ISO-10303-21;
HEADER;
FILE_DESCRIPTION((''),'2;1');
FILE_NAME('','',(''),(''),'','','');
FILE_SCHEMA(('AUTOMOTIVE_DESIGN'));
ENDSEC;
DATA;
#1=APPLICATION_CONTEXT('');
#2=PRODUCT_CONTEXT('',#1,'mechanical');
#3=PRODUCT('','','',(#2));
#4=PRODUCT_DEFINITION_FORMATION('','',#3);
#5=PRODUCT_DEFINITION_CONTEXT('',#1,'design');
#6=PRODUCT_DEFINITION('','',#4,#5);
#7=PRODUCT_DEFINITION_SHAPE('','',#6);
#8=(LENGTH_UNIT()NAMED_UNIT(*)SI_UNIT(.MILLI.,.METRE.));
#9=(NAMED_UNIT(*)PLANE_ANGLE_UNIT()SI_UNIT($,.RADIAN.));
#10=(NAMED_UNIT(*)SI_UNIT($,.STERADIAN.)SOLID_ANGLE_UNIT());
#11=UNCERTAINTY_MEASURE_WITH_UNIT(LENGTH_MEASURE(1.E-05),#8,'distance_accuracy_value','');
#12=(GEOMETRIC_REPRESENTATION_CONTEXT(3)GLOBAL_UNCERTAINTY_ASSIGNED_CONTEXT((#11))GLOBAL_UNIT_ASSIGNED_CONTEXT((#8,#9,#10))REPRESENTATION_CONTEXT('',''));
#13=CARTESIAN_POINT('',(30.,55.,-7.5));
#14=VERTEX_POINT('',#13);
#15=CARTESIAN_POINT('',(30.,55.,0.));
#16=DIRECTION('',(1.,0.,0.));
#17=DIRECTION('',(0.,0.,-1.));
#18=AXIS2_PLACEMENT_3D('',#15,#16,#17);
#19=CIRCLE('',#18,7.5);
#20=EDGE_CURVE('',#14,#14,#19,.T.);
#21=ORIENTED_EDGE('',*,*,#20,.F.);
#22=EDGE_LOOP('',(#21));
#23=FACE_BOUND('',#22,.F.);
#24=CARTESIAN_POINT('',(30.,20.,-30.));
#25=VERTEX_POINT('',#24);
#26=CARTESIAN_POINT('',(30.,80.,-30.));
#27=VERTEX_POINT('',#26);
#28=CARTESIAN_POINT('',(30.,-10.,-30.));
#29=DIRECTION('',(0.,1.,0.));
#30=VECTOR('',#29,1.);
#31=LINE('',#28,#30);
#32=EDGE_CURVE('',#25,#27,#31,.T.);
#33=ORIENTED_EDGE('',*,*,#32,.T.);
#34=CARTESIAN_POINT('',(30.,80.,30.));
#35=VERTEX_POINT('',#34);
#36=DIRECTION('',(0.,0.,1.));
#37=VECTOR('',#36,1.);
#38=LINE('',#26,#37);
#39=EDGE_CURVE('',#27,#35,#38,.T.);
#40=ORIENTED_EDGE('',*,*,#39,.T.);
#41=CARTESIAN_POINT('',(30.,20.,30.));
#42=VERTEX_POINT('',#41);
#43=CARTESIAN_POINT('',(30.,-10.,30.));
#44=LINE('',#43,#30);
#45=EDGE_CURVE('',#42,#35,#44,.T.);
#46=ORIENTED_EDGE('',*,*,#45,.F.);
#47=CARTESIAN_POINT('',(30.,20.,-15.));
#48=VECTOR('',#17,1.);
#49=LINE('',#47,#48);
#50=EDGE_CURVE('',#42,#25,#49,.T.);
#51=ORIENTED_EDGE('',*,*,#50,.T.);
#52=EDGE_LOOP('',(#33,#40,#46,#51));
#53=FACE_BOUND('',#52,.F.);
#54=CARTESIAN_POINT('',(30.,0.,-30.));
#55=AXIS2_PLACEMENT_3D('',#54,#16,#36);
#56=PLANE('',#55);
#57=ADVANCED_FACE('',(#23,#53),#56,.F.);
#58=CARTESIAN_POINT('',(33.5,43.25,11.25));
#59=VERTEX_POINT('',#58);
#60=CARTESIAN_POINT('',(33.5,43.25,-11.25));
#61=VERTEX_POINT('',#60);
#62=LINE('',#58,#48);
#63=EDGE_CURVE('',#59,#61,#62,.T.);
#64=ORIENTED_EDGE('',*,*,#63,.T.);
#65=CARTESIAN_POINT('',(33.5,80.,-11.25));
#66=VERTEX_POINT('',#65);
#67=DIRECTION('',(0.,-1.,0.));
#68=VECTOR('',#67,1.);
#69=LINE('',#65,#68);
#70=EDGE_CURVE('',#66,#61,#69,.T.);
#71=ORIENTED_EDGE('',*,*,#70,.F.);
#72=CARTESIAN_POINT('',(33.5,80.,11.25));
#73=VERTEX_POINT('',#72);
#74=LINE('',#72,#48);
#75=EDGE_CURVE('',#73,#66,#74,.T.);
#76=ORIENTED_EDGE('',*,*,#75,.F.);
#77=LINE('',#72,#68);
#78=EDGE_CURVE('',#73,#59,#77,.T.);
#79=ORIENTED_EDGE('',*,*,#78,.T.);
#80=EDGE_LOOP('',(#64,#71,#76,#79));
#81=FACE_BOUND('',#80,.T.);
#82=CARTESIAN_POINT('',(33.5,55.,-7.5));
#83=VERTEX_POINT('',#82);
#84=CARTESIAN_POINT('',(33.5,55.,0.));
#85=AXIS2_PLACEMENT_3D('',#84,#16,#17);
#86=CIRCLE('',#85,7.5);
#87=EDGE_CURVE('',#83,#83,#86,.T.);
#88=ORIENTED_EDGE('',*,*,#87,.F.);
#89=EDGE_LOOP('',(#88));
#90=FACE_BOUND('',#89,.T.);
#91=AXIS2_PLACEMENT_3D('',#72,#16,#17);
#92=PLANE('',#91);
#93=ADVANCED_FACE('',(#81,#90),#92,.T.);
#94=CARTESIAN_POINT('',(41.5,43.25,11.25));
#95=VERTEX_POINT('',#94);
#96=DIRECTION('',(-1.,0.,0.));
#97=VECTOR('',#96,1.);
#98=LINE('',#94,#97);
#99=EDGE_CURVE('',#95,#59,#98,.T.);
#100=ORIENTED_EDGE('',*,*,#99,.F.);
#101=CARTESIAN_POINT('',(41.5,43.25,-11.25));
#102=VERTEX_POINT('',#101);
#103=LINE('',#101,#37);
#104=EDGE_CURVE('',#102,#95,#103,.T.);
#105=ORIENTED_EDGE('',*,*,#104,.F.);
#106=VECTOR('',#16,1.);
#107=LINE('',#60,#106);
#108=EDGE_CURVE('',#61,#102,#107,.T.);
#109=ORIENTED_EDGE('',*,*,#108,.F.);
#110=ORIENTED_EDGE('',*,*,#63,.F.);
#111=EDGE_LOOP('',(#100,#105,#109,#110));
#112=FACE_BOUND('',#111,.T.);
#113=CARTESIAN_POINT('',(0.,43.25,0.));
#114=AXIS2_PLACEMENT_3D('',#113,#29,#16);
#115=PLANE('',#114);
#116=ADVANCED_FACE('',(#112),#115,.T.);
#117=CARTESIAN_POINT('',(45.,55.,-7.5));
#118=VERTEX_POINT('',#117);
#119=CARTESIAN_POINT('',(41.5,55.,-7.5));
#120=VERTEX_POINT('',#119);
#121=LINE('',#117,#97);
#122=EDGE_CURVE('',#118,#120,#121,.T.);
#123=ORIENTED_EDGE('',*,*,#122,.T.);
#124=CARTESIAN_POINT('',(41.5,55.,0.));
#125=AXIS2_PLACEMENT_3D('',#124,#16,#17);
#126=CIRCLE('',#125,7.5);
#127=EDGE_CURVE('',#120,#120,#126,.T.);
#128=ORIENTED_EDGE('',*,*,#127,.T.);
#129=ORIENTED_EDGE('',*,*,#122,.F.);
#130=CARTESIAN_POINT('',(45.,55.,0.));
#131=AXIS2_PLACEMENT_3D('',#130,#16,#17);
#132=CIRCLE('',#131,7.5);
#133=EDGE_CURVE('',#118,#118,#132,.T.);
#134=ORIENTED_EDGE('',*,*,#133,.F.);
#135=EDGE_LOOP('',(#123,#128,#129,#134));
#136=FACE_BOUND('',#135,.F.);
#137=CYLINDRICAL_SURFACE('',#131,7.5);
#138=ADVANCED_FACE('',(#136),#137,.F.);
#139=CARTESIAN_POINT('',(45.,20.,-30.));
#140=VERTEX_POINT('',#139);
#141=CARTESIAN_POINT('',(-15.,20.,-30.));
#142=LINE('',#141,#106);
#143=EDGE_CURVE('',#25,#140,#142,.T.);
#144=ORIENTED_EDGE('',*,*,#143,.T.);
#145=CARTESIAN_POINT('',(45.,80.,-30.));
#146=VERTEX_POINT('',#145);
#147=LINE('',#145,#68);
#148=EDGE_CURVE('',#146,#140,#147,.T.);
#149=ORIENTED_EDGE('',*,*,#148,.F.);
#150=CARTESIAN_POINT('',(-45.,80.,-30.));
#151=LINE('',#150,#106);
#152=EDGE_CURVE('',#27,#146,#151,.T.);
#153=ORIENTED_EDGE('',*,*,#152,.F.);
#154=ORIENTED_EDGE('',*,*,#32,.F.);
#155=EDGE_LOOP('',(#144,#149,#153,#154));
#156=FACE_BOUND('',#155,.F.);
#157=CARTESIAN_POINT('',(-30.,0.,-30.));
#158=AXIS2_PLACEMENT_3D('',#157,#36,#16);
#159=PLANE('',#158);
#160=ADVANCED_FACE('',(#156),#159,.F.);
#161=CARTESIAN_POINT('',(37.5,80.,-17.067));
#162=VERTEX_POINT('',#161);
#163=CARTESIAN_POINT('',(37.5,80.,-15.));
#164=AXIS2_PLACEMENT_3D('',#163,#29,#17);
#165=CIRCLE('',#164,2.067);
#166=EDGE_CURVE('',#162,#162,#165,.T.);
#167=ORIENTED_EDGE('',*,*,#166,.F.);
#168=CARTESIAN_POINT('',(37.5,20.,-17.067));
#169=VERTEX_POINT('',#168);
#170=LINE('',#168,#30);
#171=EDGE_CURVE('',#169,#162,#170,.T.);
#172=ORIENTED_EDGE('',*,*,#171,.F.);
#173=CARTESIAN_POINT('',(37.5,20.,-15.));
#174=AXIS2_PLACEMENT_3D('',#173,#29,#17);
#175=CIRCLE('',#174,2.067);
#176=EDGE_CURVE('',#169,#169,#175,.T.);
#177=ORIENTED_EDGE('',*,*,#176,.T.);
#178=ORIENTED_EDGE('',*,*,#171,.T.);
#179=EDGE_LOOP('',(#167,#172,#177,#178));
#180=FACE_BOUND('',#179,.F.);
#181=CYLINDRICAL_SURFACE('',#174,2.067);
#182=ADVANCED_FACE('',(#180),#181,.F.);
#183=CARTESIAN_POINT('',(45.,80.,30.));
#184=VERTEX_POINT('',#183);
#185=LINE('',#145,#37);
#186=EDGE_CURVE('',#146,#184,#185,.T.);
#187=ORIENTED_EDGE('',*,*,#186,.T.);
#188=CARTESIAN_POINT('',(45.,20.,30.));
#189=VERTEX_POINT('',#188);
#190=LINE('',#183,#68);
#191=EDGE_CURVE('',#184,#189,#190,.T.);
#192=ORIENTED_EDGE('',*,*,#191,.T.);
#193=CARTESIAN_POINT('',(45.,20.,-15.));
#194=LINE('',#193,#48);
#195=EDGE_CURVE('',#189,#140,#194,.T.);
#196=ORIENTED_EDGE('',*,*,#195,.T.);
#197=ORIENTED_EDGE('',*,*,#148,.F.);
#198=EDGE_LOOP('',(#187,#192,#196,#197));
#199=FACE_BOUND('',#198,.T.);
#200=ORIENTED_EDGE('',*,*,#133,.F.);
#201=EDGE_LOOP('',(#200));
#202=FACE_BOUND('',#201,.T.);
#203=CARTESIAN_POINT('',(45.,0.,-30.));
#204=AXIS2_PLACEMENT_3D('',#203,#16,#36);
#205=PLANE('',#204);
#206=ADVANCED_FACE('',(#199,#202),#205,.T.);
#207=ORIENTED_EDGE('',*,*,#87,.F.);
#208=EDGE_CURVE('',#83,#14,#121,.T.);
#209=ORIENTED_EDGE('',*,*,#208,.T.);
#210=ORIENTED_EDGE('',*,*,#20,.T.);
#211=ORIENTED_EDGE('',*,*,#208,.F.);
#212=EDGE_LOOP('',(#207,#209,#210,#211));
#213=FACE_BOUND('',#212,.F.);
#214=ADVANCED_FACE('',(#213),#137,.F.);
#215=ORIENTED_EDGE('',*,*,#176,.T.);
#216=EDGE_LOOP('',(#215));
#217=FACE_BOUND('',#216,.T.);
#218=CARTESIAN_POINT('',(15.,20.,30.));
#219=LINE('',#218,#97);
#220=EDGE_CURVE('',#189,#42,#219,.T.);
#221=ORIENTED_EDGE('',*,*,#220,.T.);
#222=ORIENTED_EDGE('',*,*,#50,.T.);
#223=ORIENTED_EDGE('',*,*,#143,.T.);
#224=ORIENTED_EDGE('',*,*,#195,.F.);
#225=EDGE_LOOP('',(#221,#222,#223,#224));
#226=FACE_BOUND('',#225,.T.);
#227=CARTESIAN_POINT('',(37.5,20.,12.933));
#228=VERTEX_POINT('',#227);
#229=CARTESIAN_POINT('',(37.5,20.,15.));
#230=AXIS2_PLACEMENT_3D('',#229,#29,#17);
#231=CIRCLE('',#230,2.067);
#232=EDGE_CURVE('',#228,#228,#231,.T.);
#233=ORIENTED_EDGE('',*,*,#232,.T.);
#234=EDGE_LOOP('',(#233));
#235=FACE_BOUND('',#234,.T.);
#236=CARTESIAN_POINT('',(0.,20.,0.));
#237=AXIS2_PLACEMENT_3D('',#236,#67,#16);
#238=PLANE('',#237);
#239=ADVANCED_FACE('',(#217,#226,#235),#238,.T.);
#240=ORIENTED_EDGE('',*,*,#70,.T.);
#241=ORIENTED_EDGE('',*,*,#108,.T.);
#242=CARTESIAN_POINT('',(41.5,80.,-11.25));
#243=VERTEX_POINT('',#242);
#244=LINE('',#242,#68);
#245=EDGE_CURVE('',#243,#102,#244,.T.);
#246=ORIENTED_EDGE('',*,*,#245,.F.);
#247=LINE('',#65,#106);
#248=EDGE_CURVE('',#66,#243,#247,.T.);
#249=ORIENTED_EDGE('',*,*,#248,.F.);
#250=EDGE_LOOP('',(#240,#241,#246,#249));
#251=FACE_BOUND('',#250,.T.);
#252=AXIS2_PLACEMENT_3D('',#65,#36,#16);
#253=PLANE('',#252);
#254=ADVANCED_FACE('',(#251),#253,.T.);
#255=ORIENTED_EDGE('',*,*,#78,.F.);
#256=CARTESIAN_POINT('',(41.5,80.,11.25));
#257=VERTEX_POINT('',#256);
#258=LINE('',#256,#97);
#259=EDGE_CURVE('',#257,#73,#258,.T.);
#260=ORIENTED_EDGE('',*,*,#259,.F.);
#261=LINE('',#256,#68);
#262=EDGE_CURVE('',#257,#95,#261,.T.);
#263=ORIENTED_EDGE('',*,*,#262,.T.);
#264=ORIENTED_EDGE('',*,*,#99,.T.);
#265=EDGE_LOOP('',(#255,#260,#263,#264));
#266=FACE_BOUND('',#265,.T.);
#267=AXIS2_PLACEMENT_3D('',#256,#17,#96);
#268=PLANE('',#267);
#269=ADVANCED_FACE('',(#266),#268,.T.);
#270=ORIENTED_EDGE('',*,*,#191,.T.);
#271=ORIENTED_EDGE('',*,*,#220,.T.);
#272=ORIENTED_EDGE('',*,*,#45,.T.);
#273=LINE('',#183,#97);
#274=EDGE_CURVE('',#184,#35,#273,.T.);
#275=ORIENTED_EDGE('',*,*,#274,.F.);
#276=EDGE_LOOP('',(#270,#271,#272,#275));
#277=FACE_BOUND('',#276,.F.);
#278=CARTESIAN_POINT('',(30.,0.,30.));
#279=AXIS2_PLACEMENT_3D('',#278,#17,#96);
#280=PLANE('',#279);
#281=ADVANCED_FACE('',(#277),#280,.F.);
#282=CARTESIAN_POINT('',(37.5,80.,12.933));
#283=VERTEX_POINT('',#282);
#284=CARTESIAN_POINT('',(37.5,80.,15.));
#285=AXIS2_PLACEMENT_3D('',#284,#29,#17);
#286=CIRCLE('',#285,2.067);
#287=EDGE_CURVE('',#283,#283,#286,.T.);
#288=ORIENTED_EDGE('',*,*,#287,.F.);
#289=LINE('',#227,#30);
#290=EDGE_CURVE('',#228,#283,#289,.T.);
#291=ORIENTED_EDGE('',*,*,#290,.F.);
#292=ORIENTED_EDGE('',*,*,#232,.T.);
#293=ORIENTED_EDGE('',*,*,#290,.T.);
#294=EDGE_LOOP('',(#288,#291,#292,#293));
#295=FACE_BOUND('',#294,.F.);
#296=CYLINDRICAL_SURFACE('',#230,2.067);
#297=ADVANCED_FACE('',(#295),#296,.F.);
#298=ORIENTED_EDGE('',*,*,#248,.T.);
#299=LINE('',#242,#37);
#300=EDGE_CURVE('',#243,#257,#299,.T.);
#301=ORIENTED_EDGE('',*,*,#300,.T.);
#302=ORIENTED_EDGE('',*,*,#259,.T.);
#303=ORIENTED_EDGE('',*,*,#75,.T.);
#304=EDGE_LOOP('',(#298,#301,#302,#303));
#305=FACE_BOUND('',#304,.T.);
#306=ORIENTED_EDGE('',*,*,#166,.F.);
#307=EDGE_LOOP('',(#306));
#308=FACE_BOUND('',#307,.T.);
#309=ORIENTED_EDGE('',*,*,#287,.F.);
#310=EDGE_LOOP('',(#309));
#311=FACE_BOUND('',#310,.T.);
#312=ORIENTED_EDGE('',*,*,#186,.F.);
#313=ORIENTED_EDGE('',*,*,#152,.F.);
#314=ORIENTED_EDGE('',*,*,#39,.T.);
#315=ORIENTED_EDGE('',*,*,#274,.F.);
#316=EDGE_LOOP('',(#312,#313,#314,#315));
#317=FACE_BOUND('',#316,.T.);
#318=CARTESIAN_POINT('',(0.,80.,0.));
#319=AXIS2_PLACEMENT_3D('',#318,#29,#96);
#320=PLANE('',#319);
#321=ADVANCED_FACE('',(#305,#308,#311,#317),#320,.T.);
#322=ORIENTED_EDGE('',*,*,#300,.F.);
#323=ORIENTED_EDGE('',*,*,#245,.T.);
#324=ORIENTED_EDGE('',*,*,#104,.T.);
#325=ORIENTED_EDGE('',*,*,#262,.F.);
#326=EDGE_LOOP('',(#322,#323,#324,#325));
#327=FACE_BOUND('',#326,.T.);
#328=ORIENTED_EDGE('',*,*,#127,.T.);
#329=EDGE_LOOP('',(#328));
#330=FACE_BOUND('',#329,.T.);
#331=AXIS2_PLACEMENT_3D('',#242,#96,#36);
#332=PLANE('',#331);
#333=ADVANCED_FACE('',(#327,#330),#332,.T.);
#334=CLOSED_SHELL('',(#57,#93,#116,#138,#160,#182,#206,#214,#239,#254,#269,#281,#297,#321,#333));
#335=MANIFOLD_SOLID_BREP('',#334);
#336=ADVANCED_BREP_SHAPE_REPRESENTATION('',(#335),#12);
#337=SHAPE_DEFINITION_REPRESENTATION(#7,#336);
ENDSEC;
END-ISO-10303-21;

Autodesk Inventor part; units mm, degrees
ref_plane "YZ Plane" through (0, 0, 0) normal (1, 0, 0) x (0, 1, 0)
ref_plane "XZ Plane" through (0, 0, 0) normal (0, 1, 0) x (-1, 0, 0)
ref_plane "XY Plane" through (0, 0, 0) normal (0, 0, 1) x (1, 0, 0)
sketch "Sketch1" plane through (0, 0, 0) normal (0, 1, 0) x (-1, 0, 0)
  line L0 (45, -30) -> (-45, -30)
  line L1 (-45, -30) -> (-45, 30)
  line L2 (-45, 30) -> (45, 30)
  line L3 (45, 30) -> (45, -30)
  line L4 (45, -30) -> (-45, 30) construction
  line L5 (-45, -30) -> (45, 30) construction
  line L6 (30, -30) -> (-30, -30)
  line L7 (-30, -30) -> (-30, 30)
  line L8 (-30, 30) -> (30, 30)
  line L9 (30, 30) -> (30, -30)
  line L10 (30, -30) -> (-30, 30) construction
  line L11 (-30, -30) -> (30, 30) construction
  point P0 (0, 0)
  point P1 (30, -30)
  point P2 (30, 30)
  dimension "d0" = 90
  dimension "d1" = 60
  dimension "d2" = 60
extrude "Extrusion1" add sketch "Sketch1" against normal blind 10 contours L0 L7 L2 L9
extrude "Extrusion2" add sketch "Sketch1" along normal blind 80 and the other way blind 10 contours L0 L9 L2 L3 | L0 L1 L2 L7
sketch "Sketch3" plane through (0, -10, 0) normal (0, -1, 0) x (1, 0, 0)
  point P0 (0, 0)
  point P1 (0, 5)
  point P2 (0, -5)
  dimension "d16" = 5
  dimension "d17" = 5
hole "Hole2" at (0, -10, 5) at (0, -10, -5) direction (0, 1, 0) diameter 5.5 end through all clearance for "Hex Head Bolt" size "M5" standard "Ansi Metric M Profile"
sketch "Sketch4" plane through (45, -10, -30) normal (1, 0, 0) x (0, 0, -1)
  circle A0 centre (-30, 65) radius 11
  line L0 (-41, 65) -> (-41, 90)
  line L1 (-60, 90) -> (0, 90) projected
  line L2 (-19, 65) -> (-19, 90)
  circle A1 centre (-30, 65) radius 7.5
  point P0 (-30, 10)
  dimension "d25" = 22
  dimension "d26" = 15
  dimension "d27" = 25
extrude "Extrusion3" cut sketch "Sketch4" against normal through all contours A1
sketch "Sketch5" plane through (0, 80, 0) normal (0, 1, 0) x (1, 0, 0)
  line L0 (-41.5, 11.25) -> (-33.5, 11.25)
  line L1 (-33.5, 11.25) -> (-33.5, -11.25)
  line L2 (-33.5, -11.25) -> (-41.5, -11.25)
  line L3 (-41.5, -11.25) -> (-41.5, 11.25)
  line L4 (-41.5, 11.25) -> (-33.5, -11.25) construction
  line L5 (-33.5, 11.25) -> (-41.5, -11.25) construction
  line L6 (33.5, 11.25) -> (41.5, 11.25)
  line L7 (41.5, 11.25) -> (41.5, -11.25)
  line L8 (41.5, -11.25) -> (33.5, -11.25)
  line L9 (33.5, -11.25) -> (33.5, 11.25)
  line L10 (33.5, 11.25) -> (41.5, -11.25) construction
  line L11 (41.5, 11.25) -> (33.5, -11.25) construction
  line L12 (-45, 30) -> (-45, -30) projected
  line L13 (-30, 30) -> (-45, 30) projected
  line L14 (45, 30) -> (30, 30) projected
  point P0 (0, 0)
  point P1 (-37.5, 0)
  point P2 (37.5, 0)
  point P3 (-37.5, 0)
  point P4 (37.5, 0)
  point P5 (-37.5, 0)
  point P6 (-45, 0)
  point P7 (-37.5, 30)
  point P8 (-37.5, 11.25)
  point P9 (37.5, 11.25)
  point P10 (37.5, 30)
  dimension "d32" = 8
  dimension "d33" = 22.5
  dimension "d34" = 8
  dimension "d35" = 22.5
extrude "Extrusion5" cut sketch "Sketch5" against normal blind 36.75
sketch "Sketch6" plane through (45, -10, -30) normal (1, 0, 0) x (0, 0, -1)
  point P0 (-30, 10)
sketch "Sketch7" plane through (-45, -10, 30) normal (-1, 0, 0) x (0, 0, 1)
  line L0 (-69.6025, -105.0508) -> (27.4472, -105.0508)
  line L1 (27.4472, -105.0508) -> (27.4472, 137.5734)
  line L2 (27.4472, 137.5734) -> (-69.6025, 137.5734)
  line L3 (-69.6025, 137.5734) -> (-69.6025, -105.0508)
  point P0 (-30, 10)
extrude "Extrusion6" cut sketch "Sketch7" against normal up to surface (75 mm away)
sketch "Sketch8" plane through (0, -10, 0) normal (0, -1, 0) x (1, 0, 0)
  line L0 (55.2414, 58.8952) -> (10.7003, 58.8952)
  line L1 (10.7003, 58.8952) -> (10.7003, -57.3293)
  line L2 (10.7003, -57.3293) -> (55.2414, -57.3293)
  line L3 (55.2414, -57.3293) -> (55.2414, 58.8952)
  point P0 (0, 0)
extrude "Extrusion7" cut sketch "Sketch8" against normal blind 30
sketch "Sketch9" plane through (0, 20, 0) normal (0, -1, 0) x (1, 0, 0)
  line L0 (45, -30) -> (30, -30) projected
  line L1 (30, 30) -> (45, 30) projected
  point P0 (0, 0)
  point P1 (37.5, 15)
  point P2 (37.5, -15)
  point P3 (37.5, -30)
  dimension "d45" = 15
  dimension "d46" = 15
hole "Hole3" at (37.5, 20, 15) at (37.5, 20, -15) direction (0, 1, 0) diameter 4.134 end through all thread size "M5x0.8" class "6H" standard "ISO Metric profile"
equation "\"d34\" = d32"
equation "\"d35\" = d33"
properties part number "Soporte_Horizontal_Modificado" material "ABS Plastic"
